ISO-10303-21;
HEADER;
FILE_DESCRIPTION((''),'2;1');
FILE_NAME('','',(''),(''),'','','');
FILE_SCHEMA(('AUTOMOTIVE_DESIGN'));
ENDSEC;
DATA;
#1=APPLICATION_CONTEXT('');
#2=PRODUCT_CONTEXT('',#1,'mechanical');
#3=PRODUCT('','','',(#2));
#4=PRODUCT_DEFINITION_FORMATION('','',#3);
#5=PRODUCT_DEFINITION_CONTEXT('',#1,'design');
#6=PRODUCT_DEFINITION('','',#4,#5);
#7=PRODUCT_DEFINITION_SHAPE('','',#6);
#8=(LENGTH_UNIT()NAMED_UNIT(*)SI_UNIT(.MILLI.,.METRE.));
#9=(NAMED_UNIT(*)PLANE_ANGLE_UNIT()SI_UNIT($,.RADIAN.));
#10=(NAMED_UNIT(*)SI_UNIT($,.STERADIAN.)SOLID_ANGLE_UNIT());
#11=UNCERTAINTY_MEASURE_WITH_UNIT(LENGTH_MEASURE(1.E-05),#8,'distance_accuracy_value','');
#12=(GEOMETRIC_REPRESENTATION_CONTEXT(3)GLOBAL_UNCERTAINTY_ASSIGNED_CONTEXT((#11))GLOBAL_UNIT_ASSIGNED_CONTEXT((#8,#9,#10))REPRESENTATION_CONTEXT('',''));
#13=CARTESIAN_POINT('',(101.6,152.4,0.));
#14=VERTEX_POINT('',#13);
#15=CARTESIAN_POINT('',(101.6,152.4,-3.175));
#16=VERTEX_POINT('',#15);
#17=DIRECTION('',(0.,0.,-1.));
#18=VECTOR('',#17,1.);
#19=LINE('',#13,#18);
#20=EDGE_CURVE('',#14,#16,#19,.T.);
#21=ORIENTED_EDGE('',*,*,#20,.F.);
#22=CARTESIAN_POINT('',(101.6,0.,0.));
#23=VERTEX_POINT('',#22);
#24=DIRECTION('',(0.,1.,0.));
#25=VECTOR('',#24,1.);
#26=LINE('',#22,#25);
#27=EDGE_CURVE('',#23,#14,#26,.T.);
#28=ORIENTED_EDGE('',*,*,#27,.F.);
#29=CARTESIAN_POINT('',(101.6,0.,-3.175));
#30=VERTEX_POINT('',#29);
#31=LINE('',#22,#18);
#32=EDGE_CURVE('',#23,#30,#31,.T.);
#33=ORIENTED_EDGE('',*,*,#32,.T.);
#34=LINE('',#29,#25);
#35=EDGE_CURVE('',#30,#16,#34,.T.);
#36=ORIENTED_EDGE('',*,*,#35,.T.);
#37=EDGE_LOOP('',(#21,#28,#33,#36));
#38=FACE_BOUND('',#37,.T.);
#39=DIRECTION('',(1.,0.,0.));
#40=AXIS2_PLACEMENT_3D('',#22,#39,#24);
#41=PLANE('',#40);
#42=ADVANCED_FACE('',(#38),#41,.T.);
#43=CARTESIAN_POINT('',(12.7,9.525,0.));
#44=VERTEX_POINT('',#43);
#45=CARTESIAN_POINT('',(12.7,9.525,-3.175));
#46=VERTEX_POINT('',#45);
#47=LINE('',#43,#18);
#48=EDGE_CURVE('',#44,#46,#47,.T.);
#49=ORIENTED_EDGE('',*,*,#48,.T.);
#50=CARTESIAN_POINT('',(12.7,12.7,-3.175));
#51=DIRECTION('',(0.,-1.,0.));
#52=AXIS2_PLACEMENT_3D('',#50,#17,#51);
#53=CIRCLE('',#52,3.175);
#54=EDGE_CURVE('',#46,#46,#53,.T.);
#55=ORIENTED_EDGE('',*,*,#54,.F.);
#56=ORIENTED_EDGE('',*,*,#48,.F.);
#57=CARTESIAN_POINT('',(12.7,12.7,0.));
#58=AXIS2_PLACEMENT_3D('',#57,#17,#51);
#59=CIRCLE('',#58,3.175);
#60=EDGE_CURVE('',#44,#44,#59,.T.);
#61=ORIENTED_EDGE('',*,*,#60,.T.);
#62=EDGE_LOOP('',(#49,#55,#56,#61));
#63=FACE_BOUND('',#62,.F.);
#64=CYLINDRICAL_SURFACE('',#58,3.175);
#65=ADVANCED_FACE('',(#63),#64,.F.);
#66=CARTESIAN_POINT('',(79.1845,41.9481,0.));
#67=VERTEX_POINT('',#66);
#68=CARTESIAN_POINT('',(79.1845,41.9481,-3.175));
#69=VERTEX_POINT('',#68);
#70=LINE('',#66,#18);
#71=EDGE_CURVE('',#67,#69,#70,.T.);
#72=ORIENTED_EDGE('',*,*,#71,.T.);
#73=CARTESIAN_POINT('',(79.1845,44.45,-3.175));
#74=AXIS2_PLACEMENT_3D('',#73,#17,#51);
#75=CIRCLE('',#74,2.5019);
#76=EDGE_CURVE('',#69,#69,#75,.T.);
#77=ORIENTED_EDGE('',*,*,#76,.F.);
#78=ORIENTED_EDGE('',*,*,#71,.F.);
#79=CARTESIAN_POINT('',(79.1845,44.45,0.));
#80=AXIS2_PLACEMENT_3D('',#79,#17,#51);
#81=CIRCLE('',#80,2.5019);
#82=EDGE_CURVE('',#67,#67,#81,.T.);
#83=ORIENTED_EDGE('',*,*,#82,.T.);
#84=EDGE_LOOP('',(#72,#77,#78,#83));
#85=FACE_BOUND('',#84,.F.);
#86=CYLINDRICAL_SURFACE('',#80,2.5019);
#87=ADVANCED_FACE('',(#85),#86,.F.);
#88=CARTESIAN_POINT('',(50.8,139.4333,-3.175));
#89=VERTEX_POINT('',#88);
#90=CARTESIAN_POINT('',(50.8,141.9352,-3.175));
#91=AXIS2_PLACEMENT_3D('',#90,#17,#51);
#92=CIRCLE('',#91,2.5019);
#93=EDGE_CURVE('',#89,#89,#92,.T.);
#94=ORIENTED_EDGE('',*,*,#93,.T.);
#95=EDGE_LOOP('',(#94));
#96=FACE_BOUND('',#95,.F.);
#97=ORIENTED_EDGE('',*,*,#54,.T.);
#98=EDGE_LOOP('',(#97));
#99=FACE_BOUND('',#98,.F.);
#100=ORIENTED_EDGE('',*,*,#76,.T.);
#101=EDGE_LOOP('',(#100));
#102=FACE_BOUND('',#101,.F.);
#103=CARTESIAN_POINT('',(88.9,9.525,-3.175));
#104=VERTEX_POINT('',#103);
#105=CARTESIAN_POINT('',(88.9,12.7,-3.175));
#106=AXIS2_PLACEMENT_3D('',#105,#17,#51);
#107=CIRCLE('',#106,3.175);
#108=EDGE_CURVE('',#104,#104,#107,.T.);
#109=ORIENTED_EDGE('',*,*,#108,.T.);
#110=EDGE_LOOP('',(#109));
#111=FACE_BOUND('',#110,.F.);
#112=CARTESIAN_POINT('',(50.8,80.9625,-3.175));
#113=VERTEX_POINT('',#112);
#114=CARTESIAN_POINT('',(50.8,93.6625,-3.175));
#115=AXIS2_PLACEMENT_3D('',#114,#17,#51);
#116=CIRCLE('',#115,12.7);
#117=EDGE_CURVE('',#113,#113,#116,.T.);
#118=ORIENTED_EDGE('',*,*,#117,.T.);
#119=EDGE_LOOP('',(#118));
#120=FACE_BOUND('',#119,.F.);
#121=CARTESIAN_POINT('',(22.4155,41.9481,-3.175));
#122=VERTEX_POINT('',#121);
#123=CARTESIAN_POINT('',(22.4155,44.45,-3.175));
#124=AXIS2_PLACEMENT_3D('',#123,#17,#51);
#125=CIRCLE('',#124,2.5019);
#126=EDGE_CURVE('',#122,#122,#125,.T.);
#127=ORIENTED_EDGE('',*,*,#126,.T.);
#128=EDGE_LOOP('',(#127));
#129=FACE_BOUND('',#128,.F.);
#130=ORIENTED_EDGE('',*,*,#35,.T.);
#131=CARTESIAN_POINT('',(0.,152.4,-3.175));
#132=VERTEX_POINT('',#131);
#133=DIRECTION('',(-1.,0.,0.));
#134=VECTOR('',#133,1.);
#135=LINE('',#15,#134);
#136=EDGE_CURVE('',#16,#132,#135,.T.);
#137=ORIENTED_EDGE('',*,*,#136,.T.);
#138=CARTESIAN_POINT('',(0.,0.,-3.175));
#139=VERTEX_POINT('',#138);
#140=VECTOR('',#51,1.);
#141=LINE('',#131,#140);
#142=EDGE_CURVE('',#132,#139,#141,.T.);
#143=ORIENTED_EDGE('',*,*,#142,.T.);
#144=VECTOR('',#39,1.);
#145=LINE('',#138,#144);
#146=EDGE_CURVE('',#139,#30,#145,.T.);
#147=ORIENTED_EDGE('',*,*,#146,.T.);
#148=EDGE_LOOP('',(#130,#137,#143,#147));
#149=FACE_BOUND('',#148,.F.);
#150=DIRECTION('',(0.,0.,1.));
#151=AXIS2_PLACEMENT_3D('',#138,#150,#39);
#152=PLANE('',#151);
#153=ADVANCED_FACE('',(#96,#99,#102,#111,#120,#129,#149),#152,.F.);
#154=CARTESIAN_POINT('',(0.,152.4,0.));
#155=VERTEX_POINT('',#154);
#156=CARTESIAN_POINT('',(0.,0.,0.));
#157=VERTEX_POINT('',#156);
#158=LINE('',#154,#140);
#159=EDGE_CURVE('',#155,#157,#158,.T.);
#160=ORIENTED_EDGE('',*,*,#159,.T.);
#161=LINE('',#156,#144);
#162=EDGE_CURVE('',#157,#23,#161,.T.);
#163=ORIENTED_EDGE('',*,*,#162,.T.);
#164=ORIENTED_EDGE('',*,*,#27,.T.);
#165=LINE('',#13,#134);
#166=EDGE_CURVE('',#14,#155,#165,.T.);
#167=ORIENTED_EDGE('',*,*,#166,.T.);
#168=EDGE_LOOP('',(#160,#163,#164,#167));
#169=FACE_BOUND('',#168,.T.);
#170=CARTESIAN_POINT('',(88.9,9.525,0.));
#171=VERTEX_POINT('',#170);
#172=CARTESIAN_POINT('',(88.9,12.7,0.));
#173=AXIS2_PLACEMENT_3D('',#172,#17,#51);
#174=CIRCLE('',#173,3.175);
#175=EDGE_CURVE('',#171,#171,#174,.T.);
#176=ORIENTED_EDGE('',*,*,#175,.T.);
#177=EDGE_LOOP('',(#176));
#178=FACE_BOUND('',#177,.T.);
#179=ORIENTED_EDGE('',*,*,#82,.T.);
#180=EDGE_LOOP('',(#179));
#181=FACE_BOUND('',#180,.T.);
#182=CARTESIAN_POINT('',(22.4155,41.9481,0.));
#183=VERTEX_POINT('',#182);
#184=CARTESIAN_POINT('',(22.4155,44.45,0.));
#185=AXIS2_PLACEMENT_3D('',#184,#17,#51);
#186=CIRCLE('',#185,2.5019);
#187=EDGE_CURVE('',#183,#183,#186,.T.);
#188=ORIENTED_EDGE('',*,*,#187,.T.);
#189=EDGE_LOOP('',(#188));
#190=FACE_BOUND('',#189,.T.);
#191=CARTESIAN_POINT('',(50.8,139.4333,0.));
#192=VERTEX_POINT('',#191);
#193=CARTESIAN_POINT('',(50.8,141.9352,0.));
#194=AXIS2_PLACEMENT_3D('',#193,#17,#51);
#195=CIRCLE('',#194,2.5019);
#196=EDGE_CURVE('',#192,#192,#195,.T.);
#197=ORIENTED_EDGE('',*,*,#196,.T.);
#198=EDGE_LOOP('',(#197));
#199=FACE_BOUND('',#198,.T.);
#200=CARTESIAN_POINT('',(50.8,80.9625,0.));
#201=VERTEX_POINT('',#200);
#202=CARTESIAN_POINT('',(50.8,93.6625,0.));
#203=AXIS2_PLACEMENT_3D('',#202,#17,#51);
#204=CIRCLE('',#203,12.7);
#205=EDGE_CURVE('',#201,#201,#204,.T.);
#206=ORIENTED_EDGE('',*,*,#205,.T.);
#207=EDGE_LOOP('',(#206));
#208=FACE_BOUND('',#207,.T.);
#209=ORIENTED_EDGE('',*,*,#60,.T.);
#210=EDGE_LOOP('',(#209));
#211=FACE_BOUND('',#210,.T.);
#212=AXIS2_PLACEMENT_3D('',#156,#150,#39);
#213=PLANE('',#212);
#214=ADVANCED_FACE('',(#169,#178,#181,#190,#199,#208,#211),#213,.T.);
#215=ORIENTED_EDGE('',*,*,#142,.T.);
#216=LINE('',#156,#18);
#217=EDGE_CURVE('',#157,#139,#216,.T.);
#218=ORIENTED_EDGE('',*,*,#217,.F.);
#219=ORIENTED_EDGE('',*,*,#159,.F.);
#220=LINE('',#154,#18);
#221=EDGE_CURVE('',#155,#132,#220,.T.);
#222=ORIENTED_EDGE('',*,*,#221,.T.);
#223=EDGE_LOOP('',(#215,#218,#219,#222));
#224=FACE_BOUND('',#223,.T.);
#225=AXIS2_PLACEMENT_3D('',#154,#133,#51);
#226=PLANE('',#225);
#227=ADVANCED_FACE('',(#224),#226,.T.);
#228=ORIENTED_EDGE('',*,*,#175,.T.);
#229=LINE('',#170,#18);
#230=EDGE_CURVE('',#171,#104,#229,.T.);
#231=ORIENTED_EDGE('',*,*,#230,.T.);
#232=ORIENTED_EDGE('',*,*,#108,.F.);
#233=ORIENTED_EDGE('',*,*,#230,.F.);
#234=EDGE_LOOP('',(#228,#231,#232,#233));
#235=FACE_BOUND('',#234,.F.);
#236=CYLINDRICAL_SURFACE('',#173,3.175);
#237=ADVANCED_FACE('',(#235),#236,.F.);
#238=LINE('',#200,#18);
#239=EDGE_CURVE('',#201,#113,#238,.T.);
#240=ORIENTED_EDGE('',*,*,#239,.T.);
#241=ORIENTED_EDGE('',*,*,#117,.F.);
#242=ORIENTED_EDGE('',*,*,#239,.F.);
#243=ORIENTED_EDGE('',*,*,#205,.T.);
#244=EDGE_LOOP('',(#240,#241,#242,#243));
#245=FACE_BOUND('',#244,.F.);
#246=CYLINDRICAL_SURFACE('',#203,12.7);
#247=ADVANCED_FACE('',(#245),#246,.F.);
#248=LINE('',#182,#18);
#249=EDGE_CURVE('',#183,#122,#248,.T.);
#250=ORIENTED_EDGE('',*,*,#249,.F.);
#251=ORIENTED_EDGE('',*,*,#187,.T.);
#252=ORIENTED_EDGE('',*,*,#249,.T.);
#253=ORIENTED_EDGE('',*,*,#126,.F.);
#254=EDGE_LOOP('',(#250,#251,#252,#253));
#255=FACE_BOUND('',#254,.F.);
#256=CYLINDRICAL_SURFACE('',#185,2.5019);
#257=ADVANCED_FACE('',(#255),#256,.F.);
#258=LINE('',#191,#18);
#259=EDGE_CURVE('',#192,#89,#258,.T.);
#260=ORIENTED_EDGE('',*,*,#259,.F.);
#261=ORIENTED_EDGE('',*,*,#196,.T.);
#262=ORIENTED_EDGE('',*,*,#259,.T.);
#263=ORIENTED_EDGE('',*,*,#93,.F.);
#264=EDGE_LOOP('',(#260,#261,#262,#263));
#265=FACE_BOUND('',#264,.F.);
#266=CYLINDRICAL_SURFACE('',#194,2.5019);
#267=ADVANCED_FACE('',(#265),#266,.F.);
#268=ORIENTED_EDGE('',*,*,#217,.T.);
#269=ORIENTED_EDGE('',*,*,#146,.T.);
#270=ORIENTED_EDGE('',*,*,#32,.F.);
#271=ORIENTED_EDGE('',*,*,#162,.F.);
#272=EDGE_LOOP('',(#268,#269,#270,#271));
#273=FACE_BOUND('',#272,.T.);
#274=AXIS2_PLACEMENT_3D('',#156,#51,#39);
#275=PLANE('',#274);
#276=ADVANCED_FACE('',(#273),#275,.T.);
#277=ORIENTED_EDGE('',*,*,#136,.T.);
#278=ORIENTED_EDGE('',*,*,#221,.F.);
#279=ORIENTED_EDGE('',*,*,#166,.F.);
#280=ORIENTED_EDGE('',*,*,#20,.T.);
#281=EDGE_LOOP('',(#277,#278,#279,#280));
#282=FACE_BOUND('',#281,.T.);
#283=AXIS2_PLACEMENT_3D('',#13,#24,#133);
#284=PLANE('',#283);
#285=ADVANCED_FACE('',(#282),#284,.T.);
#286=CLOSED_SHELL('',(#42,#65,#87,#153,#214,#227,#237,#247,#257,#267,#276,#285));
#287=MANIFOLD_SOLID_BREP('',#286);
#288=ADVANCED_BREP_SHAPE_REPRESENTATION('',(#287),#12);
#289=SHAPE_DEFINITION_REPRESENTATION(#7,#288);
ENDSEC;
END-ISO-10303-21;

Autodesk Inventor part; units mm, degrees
ref_plane "YZ Plane" through (0, 0, 0) normal (1, 0, 0) x (0, 1, 0)
ref_plane "XZ Plane" through (0, 0, 0) normal (0, 1, 0) x (-1, 0, 0)
ref_plane "XY Plane" through (0, 0, 0) normal (0, 0, 1) x (1, 0, 0)
sketch "Sketch1" plane through (0, 0, 0) normal (0, 0, 1) x (1, 0, 0)
  line L0 (0, 0) -> (101.6, 0)
  line L1 (101.6, 0) -> (101.6, 152.4)
  line L2 (101.6, 152.4) -> (0, 152.4)
  line L3 (0, 152.4) -> (0, 0)
  point P0 (22.4155, 44.45)
  point P1 (79.1845, 44.45)
  point P2 (50.8, 141.9352)
  point P3 (50.8, 93.6625)
  point P4 (12.7, 12.7)
  point P5 (88.9, 12.7)
  dimension "d0" = 152.4
  dimension "d1" = 101.6
  dimension "d2" = 44.45
  dimension "d3" = 49.2125
  dimension "d4" = 97.4852
  dimension "d5" = 56.769
  dimension "d6" = 28.3845
  dimension "d7" = 12.7
  dimension "d8" = 12.7
  dimension "d9" = 12.7
  dimension "d10" = 50.8
extrude "Extrusion1" add sketch "Sketch1" against normal blind 3.175
hole "Hole1" at (22.4155, 44.45, 0) at (79.1845, 44.45, 0) at (50.8, 141.9352, 0) direction (0, 0, -1) diameter 5.0038 depth 25.4 tip angle 118
hole "Hole2" at (12.7, 12.7, 0) at (88.9, 12.7, 0) direction (0, 0, -1) diameter 6.35 depth 25.4 tip angle 118
hole "Hole3" at (50.8, 93.6625, 0) direction (0, 0, -1) diameter 25.4 depth 25.4 tip angle 118
properties part number "window motor plate"
